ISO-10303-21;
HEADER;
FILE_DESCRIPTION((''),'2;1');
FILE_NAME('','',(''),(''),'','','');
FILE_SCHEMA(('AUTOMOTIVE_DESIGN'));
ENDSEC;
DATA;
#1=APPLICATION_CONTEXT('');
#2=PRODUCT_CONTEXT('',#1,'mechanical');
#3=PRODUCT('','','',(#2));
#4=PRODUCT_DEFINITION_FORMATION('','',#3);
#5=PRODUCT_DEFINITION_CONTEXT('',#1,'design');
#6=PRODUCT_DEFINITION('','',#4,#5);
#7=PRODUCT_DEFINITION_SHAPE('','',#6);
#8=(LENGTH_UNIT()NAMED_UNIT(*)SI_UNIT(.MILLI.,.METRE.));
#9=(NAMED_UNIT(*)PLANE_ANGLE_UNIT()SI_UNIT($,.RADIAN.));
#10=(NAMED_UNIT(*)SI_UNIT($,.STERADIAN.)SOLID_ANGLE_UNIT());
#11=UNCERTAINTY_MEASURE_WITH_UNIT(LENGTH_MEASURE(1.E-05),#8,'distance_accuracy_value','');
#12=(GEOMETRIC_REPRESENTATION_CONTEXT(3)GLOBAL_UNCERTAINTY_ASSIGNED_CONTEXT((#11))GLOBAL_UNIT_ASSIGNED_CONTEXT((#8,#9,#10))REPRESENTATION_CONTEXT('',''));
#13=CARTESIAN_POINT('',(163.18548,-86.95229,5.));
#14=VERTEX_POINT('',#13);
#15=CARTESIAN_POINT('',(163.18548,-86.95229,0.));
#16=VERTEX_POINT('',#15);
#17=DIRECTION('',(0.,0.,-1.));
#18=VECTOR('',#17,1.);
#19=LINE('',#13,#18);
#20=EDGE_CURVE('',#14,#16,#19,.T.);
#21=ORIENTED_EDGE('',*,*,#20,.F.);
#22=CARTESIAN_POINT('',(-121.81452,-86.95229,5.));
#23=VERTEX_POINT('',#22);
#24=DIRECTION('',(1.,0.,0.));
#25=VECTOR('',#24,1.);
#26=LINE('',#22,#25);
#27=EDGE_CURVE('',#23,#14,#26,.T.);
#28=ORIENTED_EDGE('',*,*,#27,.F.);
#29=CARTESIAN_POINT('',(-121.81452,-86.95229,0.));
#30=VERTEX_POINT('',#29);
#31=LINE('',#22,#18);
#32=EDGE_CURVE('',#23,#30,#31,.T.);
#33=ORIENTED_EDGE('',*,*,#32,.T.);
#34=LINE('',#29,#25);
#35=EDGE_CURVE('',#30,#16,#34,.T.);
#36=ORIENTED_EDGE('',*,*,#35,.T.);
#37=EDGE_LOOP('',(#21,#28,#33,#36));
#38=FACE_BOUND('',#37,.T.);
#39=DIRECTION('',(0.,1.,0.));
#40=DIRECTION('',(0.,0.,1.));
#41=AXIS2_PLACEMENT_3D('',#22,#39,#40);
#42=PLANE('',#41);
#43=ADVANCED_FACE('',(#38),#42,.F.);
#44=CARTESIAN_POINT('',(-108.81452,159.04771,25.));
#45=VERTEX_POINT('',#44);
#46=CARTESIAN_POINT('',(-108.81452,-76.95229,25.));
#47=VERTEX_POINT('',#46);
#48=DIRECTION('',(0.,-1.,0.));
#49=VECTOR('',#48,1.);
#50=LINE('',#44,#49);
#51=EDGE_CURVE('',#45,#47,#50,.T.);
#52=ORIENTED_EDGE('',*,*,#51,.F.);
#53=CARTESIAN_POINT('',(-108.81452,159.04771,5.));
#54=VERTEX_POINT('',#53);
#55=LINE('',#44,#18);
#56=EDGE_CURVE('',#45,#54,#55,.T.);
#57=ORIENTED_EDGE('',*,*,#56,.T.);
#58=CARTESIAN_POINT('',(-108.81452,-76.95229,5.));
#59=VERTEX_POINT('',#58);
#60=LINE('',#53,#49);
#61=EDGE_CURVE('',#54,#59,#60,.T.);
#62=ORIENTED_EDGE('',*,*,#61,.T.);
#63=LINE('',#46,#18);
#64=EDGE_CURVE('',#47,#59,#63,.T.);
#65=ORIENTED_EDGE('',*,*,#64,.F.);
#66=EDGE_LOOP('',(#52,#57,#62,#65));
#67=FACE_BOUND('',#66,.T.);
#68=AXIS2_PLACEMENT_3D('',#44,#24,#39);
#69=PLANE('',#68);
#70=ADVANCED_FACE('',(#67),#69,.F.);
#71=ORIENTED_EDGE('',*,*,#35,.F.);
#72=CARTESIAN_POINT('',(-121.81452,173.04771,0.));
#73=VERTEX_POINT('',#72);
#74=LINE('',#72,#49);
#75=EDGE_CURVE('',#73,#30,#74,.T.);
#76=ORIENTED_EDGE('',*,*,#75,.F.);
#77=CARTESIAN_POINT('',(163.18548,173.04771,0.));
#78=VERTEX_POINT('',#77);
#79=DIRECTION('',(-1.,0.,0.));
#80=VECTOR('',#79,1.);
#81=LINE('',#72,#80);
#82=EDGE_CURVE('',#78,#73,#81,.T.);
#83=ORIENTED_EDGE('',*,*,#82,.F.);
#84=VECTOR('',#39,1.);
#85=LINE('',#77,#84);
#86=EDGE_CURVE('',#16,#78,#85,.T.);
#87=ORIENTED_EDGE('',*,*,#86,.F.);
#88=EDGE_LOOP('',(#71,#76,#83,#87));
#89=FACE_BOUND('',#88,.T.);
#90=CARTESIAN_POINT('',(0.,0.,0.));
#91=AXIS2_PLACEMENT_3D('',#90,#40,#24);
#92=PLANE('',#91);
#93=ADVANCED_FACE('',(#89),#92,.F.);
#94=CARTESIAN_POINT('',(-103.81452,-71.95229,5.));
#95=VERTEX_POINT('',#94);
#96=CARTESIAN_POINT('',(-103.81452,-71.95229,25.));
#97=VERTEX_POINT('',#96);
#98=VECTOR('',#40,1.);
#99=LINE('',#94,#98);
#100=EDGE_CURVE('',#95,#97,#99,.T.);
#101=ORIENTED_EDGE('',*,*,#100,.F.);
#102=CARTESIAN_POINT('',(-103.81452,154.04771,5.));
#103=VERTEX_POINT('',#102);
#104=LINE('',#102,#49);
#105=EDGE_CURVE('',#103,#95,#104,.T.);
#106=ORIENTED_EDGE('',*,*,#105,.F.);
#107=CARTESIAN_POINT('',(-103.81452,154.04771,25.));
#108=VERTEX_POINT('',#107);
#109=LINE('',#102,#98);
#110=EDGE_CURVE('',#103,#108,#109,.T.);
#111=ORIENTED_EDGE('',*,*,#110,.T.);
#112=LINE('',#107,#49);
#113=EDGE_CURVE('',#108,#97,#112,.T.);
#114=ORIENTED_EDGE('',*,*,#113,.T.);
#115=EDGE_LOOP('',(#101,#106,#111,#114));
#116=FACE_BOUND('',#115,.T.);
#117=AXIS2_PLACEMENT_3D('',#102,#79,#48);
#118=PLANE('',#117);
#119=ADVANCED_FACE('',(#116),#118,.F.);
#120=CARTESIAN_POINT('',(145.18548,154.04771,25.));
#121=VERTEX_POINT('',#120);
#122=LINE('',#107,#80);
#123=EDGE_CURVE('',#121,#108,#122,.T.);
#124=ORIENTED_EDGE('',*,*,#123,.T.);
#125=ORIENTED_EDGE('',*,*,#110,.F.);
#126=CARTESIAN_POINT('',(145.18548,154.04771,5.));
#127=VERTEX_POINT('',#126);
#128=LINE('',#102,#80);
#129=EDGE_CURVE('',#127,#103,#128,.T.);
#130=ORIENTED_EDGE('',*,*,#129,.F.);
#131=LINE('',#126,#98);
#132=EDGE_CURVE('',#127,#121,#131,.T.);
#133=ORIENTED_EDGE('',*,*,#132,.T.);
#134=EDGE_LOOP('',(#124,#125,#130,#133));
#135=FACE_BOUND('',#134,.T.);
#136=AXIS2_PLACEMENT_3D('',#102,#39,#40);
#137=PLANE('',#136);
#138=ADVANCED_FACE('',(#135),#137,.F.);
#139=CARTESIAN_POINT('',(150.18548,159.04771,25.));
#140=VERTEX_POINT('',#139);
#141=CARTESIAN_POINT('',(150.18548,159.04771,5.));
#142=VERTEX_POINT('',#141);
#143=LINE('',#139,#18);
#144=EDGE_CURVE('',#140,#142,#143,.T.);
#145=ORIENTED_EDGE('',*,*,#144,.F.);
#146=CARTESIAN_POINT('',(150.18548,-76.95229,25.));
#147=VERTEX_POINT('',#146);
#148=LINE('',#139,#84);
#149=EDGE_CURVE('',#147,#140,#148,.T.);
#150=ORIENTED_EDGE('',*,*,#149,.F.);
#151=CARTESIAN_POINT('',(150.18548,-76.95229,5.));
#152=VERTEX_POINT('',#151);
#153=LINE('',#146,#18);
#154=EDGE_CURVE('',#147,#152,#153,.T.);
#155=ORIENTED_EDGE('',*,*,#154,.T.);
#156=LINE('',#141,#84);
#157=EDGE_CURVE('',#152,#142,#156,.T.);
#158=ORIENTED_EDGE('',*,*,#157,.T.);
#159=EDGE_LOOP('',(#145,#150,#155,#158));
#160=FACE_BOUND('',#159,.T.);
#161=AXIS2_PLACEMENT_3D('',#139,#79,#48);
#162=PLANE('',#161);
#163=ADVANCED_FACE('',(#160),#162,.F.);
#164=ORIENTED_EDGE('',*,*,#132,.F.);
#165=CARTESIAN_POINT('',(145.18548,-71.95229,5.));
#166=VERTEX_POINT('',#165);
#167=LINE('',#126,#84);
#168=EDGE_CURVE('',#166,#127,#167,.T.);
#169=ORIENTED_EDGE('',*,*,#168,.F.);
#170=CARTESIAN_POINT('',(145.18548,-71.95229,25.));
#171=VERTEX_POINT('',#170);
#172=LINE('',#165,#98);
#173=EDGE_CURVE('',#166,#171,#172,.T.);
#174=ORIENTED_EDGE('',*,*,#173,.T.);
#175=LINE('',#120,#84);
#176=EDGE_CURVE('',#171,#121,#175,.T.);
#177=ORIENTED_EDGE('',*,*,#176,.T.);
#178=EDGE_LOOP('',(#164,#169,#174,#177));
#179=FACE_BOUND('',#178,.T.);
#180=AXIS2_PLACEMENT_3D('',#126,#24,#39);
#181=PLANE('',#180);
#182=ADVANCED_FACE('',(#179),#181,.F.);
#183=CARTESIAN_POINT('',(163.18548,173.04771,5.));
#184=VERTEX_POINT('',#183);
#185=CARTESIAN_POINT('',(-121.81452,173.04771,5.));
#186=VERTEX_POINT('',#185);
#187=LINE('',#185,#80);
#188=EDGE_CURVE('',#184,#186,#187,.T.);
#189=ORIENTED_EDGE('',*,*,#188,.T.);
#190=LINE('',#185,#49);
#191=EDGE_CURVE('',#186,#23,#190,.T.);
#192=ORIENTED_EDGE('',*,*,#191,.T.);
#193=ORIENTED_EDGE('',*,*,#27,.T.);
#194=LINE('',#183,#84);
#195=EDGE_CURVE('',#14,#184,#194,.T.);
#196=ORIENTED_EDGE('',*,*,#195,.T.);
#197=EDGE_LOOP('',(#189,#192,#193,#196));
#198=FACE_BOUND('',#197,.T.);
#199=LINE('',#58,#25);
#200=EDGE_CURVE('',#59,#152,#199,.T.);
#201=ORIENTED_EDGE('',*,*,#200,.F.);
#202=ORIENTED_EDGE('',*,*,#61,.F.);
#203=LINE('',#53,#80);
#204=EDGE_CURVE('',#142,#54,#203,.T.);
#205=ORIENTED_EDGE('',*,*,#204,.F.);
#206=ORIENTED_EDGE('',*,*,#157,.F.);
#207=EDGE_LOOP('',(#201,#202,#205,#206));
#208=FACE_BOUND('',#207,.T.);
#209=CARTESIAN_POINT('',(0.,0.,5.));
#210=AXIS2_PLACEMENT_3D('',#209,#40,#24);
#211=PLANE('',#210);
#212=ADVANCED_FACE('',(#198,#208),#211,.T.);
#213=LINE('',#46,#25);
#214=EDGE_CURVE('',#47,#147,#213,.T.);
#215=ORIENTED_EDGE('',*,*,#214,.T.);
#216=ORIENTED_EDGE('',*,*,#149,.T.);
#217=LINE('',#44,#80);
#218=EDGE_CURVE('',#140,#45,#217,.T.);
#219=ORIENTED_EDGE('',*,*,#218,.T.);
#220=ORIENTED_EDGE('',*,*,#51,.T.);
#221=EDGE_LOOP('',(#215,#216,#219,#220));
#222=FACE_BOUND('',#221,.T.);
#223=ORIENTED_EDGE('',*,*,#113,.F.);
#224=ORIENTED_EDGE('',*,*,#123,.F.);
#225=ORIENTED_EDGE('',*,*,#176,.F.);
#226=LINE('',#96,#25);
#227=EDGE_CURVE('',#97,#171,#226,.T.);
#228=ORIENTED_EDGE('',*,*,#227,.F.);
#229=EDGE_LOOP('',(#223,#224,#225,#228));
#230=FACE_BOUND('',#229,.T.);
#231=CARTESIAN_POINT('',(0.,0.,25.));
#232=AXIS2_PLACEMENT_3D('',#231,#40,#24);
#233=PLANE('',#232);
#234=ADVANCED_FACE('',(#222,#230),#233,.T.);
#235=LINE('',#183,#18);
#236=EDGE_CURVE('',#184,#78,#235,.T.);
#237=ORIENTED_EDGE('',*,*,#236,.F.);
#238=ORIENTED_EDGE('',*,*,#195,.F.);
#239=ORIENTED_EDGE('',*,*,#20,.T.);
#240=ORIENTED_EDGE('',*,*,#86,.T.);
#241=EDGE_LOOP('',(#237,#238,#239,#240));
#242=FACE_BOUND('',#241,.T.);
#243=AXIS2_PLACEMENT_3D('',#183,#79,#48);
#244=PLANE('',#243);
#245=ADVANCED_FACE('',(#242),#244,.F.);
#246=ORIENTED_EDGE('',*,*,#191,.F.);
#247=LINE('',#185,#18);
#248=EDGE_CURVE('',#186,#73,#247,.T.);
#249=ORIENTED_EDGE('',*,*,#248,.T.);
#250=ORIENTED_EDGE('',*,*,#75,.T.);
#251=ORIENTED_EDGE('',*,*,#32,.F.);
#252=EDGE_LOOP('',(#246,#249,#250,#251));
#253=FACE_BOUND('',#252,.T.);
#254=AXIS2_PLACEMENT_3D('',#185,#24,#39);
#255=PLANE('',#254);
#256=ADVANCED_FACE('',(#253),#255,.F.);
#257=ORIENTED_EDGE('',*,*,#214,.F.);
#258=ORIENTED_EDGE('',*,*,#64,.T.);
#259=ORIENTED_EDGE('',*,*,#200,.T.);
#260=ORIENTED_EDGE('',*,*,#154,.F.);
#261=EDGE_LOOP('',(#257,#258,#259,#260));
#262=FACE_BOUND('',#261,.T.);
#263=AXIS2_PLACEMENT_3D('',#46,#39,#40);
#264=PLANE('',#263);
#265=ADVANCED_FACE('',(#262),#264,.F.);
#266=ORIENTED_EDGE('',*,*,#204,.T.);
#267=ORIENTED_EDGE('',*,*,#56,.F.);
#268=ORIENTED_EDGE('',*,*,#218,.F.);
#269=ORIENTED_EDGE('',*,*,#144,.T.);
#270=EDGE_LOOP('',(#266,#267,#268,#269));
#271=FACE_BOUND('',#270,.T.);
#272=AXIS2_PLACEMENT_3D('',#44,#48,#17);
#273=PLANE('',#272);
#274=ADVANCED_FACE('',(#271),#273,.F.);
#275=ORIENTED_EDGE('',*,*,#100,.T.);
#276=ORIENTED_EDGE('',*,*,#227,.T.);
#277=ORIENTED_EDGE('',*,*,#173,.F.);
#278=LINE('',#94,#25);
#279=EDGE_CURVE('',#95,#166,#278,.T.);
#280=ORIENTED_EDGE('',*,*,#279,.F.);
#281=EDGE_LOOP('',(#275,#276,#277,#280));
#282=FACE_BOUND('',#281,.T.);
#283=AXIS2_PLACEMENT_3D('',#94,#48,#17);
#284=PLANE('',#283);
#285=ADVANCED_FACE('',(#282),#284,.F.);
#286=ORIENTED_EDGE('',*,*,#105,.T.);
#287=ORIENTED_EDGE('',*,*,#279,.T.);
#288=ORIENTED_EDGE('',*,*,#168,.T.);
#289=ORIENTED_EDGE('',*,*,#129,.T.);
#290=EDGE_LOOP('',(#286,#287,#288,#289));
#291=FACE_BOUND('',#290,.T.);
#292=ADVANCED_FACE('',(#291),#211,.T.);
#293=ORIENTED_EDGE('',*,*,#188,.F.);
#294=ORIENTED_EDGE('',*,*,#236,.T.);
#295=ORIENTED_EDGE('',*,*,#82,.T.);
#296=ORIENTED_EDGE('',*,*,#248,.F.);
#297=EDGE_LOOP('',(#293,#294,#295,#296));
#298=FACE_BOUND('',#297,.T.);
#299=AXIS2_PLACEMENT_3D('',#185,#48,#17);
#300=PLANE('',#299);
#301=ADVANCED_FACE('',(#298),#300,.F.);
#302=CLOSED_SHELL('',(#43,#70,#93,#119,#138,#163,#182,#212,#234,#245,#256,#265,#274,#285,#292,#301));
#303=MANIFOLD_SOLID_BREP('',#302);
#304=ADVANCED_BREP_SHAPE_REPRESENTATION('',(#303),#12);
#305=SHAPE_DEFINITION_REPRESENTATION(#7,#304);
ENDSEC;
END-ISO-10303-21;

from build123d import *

# Parameters (mm, degrees)
SKETCH1_W           = 285
SKETCH1_H           = 260
BOSS_EXTRUDE3_DEPTH = 5
SKETCH3_W           = 259
SKETCH3_H           = 236
BOSS_EXTRUDE4_DEPTH = 20
SKETCH4_W           = 249
SKETCH4_H           = 226
CUT_EXTRUDE1_DEPTH  = 20


with BuildPart() as part:
    # Sketch1 → Boss-Extrude3 (new body)
    with BuildSketch(Plane.XY):
        with Locations((20.685479664, 43.047709924)):
            Rectangle(SKETCH1_W, SKETCH1_H)
    extrude(amount=BOSS_EXTRUDE3_DEPTH)

    # Sketch3 → Boss-Extrude4 (add)
    with BuildSketch(Plane.XY.offset(5)):
        with Locations((20.685479664, 41.047709924)):
            Rectangle(SKETCH3_W, SKETCH3_H)
    extrude(amount=BOSS_EXTRUDE4_DEPTH)

    # Sketch4 → Cut-Extrude1 (cut)
    with BuildSketch(Plane.XY.offset(25)):
        with Locations((20.685479664, 41.047709924)):
            Rectangle(SKETCH4_W, SKETCH4_H)
    extrude(amount=-CUT_EXTRUDE1_DEPTH, mode=Mode.SUBTRACT)


solid = part.part
